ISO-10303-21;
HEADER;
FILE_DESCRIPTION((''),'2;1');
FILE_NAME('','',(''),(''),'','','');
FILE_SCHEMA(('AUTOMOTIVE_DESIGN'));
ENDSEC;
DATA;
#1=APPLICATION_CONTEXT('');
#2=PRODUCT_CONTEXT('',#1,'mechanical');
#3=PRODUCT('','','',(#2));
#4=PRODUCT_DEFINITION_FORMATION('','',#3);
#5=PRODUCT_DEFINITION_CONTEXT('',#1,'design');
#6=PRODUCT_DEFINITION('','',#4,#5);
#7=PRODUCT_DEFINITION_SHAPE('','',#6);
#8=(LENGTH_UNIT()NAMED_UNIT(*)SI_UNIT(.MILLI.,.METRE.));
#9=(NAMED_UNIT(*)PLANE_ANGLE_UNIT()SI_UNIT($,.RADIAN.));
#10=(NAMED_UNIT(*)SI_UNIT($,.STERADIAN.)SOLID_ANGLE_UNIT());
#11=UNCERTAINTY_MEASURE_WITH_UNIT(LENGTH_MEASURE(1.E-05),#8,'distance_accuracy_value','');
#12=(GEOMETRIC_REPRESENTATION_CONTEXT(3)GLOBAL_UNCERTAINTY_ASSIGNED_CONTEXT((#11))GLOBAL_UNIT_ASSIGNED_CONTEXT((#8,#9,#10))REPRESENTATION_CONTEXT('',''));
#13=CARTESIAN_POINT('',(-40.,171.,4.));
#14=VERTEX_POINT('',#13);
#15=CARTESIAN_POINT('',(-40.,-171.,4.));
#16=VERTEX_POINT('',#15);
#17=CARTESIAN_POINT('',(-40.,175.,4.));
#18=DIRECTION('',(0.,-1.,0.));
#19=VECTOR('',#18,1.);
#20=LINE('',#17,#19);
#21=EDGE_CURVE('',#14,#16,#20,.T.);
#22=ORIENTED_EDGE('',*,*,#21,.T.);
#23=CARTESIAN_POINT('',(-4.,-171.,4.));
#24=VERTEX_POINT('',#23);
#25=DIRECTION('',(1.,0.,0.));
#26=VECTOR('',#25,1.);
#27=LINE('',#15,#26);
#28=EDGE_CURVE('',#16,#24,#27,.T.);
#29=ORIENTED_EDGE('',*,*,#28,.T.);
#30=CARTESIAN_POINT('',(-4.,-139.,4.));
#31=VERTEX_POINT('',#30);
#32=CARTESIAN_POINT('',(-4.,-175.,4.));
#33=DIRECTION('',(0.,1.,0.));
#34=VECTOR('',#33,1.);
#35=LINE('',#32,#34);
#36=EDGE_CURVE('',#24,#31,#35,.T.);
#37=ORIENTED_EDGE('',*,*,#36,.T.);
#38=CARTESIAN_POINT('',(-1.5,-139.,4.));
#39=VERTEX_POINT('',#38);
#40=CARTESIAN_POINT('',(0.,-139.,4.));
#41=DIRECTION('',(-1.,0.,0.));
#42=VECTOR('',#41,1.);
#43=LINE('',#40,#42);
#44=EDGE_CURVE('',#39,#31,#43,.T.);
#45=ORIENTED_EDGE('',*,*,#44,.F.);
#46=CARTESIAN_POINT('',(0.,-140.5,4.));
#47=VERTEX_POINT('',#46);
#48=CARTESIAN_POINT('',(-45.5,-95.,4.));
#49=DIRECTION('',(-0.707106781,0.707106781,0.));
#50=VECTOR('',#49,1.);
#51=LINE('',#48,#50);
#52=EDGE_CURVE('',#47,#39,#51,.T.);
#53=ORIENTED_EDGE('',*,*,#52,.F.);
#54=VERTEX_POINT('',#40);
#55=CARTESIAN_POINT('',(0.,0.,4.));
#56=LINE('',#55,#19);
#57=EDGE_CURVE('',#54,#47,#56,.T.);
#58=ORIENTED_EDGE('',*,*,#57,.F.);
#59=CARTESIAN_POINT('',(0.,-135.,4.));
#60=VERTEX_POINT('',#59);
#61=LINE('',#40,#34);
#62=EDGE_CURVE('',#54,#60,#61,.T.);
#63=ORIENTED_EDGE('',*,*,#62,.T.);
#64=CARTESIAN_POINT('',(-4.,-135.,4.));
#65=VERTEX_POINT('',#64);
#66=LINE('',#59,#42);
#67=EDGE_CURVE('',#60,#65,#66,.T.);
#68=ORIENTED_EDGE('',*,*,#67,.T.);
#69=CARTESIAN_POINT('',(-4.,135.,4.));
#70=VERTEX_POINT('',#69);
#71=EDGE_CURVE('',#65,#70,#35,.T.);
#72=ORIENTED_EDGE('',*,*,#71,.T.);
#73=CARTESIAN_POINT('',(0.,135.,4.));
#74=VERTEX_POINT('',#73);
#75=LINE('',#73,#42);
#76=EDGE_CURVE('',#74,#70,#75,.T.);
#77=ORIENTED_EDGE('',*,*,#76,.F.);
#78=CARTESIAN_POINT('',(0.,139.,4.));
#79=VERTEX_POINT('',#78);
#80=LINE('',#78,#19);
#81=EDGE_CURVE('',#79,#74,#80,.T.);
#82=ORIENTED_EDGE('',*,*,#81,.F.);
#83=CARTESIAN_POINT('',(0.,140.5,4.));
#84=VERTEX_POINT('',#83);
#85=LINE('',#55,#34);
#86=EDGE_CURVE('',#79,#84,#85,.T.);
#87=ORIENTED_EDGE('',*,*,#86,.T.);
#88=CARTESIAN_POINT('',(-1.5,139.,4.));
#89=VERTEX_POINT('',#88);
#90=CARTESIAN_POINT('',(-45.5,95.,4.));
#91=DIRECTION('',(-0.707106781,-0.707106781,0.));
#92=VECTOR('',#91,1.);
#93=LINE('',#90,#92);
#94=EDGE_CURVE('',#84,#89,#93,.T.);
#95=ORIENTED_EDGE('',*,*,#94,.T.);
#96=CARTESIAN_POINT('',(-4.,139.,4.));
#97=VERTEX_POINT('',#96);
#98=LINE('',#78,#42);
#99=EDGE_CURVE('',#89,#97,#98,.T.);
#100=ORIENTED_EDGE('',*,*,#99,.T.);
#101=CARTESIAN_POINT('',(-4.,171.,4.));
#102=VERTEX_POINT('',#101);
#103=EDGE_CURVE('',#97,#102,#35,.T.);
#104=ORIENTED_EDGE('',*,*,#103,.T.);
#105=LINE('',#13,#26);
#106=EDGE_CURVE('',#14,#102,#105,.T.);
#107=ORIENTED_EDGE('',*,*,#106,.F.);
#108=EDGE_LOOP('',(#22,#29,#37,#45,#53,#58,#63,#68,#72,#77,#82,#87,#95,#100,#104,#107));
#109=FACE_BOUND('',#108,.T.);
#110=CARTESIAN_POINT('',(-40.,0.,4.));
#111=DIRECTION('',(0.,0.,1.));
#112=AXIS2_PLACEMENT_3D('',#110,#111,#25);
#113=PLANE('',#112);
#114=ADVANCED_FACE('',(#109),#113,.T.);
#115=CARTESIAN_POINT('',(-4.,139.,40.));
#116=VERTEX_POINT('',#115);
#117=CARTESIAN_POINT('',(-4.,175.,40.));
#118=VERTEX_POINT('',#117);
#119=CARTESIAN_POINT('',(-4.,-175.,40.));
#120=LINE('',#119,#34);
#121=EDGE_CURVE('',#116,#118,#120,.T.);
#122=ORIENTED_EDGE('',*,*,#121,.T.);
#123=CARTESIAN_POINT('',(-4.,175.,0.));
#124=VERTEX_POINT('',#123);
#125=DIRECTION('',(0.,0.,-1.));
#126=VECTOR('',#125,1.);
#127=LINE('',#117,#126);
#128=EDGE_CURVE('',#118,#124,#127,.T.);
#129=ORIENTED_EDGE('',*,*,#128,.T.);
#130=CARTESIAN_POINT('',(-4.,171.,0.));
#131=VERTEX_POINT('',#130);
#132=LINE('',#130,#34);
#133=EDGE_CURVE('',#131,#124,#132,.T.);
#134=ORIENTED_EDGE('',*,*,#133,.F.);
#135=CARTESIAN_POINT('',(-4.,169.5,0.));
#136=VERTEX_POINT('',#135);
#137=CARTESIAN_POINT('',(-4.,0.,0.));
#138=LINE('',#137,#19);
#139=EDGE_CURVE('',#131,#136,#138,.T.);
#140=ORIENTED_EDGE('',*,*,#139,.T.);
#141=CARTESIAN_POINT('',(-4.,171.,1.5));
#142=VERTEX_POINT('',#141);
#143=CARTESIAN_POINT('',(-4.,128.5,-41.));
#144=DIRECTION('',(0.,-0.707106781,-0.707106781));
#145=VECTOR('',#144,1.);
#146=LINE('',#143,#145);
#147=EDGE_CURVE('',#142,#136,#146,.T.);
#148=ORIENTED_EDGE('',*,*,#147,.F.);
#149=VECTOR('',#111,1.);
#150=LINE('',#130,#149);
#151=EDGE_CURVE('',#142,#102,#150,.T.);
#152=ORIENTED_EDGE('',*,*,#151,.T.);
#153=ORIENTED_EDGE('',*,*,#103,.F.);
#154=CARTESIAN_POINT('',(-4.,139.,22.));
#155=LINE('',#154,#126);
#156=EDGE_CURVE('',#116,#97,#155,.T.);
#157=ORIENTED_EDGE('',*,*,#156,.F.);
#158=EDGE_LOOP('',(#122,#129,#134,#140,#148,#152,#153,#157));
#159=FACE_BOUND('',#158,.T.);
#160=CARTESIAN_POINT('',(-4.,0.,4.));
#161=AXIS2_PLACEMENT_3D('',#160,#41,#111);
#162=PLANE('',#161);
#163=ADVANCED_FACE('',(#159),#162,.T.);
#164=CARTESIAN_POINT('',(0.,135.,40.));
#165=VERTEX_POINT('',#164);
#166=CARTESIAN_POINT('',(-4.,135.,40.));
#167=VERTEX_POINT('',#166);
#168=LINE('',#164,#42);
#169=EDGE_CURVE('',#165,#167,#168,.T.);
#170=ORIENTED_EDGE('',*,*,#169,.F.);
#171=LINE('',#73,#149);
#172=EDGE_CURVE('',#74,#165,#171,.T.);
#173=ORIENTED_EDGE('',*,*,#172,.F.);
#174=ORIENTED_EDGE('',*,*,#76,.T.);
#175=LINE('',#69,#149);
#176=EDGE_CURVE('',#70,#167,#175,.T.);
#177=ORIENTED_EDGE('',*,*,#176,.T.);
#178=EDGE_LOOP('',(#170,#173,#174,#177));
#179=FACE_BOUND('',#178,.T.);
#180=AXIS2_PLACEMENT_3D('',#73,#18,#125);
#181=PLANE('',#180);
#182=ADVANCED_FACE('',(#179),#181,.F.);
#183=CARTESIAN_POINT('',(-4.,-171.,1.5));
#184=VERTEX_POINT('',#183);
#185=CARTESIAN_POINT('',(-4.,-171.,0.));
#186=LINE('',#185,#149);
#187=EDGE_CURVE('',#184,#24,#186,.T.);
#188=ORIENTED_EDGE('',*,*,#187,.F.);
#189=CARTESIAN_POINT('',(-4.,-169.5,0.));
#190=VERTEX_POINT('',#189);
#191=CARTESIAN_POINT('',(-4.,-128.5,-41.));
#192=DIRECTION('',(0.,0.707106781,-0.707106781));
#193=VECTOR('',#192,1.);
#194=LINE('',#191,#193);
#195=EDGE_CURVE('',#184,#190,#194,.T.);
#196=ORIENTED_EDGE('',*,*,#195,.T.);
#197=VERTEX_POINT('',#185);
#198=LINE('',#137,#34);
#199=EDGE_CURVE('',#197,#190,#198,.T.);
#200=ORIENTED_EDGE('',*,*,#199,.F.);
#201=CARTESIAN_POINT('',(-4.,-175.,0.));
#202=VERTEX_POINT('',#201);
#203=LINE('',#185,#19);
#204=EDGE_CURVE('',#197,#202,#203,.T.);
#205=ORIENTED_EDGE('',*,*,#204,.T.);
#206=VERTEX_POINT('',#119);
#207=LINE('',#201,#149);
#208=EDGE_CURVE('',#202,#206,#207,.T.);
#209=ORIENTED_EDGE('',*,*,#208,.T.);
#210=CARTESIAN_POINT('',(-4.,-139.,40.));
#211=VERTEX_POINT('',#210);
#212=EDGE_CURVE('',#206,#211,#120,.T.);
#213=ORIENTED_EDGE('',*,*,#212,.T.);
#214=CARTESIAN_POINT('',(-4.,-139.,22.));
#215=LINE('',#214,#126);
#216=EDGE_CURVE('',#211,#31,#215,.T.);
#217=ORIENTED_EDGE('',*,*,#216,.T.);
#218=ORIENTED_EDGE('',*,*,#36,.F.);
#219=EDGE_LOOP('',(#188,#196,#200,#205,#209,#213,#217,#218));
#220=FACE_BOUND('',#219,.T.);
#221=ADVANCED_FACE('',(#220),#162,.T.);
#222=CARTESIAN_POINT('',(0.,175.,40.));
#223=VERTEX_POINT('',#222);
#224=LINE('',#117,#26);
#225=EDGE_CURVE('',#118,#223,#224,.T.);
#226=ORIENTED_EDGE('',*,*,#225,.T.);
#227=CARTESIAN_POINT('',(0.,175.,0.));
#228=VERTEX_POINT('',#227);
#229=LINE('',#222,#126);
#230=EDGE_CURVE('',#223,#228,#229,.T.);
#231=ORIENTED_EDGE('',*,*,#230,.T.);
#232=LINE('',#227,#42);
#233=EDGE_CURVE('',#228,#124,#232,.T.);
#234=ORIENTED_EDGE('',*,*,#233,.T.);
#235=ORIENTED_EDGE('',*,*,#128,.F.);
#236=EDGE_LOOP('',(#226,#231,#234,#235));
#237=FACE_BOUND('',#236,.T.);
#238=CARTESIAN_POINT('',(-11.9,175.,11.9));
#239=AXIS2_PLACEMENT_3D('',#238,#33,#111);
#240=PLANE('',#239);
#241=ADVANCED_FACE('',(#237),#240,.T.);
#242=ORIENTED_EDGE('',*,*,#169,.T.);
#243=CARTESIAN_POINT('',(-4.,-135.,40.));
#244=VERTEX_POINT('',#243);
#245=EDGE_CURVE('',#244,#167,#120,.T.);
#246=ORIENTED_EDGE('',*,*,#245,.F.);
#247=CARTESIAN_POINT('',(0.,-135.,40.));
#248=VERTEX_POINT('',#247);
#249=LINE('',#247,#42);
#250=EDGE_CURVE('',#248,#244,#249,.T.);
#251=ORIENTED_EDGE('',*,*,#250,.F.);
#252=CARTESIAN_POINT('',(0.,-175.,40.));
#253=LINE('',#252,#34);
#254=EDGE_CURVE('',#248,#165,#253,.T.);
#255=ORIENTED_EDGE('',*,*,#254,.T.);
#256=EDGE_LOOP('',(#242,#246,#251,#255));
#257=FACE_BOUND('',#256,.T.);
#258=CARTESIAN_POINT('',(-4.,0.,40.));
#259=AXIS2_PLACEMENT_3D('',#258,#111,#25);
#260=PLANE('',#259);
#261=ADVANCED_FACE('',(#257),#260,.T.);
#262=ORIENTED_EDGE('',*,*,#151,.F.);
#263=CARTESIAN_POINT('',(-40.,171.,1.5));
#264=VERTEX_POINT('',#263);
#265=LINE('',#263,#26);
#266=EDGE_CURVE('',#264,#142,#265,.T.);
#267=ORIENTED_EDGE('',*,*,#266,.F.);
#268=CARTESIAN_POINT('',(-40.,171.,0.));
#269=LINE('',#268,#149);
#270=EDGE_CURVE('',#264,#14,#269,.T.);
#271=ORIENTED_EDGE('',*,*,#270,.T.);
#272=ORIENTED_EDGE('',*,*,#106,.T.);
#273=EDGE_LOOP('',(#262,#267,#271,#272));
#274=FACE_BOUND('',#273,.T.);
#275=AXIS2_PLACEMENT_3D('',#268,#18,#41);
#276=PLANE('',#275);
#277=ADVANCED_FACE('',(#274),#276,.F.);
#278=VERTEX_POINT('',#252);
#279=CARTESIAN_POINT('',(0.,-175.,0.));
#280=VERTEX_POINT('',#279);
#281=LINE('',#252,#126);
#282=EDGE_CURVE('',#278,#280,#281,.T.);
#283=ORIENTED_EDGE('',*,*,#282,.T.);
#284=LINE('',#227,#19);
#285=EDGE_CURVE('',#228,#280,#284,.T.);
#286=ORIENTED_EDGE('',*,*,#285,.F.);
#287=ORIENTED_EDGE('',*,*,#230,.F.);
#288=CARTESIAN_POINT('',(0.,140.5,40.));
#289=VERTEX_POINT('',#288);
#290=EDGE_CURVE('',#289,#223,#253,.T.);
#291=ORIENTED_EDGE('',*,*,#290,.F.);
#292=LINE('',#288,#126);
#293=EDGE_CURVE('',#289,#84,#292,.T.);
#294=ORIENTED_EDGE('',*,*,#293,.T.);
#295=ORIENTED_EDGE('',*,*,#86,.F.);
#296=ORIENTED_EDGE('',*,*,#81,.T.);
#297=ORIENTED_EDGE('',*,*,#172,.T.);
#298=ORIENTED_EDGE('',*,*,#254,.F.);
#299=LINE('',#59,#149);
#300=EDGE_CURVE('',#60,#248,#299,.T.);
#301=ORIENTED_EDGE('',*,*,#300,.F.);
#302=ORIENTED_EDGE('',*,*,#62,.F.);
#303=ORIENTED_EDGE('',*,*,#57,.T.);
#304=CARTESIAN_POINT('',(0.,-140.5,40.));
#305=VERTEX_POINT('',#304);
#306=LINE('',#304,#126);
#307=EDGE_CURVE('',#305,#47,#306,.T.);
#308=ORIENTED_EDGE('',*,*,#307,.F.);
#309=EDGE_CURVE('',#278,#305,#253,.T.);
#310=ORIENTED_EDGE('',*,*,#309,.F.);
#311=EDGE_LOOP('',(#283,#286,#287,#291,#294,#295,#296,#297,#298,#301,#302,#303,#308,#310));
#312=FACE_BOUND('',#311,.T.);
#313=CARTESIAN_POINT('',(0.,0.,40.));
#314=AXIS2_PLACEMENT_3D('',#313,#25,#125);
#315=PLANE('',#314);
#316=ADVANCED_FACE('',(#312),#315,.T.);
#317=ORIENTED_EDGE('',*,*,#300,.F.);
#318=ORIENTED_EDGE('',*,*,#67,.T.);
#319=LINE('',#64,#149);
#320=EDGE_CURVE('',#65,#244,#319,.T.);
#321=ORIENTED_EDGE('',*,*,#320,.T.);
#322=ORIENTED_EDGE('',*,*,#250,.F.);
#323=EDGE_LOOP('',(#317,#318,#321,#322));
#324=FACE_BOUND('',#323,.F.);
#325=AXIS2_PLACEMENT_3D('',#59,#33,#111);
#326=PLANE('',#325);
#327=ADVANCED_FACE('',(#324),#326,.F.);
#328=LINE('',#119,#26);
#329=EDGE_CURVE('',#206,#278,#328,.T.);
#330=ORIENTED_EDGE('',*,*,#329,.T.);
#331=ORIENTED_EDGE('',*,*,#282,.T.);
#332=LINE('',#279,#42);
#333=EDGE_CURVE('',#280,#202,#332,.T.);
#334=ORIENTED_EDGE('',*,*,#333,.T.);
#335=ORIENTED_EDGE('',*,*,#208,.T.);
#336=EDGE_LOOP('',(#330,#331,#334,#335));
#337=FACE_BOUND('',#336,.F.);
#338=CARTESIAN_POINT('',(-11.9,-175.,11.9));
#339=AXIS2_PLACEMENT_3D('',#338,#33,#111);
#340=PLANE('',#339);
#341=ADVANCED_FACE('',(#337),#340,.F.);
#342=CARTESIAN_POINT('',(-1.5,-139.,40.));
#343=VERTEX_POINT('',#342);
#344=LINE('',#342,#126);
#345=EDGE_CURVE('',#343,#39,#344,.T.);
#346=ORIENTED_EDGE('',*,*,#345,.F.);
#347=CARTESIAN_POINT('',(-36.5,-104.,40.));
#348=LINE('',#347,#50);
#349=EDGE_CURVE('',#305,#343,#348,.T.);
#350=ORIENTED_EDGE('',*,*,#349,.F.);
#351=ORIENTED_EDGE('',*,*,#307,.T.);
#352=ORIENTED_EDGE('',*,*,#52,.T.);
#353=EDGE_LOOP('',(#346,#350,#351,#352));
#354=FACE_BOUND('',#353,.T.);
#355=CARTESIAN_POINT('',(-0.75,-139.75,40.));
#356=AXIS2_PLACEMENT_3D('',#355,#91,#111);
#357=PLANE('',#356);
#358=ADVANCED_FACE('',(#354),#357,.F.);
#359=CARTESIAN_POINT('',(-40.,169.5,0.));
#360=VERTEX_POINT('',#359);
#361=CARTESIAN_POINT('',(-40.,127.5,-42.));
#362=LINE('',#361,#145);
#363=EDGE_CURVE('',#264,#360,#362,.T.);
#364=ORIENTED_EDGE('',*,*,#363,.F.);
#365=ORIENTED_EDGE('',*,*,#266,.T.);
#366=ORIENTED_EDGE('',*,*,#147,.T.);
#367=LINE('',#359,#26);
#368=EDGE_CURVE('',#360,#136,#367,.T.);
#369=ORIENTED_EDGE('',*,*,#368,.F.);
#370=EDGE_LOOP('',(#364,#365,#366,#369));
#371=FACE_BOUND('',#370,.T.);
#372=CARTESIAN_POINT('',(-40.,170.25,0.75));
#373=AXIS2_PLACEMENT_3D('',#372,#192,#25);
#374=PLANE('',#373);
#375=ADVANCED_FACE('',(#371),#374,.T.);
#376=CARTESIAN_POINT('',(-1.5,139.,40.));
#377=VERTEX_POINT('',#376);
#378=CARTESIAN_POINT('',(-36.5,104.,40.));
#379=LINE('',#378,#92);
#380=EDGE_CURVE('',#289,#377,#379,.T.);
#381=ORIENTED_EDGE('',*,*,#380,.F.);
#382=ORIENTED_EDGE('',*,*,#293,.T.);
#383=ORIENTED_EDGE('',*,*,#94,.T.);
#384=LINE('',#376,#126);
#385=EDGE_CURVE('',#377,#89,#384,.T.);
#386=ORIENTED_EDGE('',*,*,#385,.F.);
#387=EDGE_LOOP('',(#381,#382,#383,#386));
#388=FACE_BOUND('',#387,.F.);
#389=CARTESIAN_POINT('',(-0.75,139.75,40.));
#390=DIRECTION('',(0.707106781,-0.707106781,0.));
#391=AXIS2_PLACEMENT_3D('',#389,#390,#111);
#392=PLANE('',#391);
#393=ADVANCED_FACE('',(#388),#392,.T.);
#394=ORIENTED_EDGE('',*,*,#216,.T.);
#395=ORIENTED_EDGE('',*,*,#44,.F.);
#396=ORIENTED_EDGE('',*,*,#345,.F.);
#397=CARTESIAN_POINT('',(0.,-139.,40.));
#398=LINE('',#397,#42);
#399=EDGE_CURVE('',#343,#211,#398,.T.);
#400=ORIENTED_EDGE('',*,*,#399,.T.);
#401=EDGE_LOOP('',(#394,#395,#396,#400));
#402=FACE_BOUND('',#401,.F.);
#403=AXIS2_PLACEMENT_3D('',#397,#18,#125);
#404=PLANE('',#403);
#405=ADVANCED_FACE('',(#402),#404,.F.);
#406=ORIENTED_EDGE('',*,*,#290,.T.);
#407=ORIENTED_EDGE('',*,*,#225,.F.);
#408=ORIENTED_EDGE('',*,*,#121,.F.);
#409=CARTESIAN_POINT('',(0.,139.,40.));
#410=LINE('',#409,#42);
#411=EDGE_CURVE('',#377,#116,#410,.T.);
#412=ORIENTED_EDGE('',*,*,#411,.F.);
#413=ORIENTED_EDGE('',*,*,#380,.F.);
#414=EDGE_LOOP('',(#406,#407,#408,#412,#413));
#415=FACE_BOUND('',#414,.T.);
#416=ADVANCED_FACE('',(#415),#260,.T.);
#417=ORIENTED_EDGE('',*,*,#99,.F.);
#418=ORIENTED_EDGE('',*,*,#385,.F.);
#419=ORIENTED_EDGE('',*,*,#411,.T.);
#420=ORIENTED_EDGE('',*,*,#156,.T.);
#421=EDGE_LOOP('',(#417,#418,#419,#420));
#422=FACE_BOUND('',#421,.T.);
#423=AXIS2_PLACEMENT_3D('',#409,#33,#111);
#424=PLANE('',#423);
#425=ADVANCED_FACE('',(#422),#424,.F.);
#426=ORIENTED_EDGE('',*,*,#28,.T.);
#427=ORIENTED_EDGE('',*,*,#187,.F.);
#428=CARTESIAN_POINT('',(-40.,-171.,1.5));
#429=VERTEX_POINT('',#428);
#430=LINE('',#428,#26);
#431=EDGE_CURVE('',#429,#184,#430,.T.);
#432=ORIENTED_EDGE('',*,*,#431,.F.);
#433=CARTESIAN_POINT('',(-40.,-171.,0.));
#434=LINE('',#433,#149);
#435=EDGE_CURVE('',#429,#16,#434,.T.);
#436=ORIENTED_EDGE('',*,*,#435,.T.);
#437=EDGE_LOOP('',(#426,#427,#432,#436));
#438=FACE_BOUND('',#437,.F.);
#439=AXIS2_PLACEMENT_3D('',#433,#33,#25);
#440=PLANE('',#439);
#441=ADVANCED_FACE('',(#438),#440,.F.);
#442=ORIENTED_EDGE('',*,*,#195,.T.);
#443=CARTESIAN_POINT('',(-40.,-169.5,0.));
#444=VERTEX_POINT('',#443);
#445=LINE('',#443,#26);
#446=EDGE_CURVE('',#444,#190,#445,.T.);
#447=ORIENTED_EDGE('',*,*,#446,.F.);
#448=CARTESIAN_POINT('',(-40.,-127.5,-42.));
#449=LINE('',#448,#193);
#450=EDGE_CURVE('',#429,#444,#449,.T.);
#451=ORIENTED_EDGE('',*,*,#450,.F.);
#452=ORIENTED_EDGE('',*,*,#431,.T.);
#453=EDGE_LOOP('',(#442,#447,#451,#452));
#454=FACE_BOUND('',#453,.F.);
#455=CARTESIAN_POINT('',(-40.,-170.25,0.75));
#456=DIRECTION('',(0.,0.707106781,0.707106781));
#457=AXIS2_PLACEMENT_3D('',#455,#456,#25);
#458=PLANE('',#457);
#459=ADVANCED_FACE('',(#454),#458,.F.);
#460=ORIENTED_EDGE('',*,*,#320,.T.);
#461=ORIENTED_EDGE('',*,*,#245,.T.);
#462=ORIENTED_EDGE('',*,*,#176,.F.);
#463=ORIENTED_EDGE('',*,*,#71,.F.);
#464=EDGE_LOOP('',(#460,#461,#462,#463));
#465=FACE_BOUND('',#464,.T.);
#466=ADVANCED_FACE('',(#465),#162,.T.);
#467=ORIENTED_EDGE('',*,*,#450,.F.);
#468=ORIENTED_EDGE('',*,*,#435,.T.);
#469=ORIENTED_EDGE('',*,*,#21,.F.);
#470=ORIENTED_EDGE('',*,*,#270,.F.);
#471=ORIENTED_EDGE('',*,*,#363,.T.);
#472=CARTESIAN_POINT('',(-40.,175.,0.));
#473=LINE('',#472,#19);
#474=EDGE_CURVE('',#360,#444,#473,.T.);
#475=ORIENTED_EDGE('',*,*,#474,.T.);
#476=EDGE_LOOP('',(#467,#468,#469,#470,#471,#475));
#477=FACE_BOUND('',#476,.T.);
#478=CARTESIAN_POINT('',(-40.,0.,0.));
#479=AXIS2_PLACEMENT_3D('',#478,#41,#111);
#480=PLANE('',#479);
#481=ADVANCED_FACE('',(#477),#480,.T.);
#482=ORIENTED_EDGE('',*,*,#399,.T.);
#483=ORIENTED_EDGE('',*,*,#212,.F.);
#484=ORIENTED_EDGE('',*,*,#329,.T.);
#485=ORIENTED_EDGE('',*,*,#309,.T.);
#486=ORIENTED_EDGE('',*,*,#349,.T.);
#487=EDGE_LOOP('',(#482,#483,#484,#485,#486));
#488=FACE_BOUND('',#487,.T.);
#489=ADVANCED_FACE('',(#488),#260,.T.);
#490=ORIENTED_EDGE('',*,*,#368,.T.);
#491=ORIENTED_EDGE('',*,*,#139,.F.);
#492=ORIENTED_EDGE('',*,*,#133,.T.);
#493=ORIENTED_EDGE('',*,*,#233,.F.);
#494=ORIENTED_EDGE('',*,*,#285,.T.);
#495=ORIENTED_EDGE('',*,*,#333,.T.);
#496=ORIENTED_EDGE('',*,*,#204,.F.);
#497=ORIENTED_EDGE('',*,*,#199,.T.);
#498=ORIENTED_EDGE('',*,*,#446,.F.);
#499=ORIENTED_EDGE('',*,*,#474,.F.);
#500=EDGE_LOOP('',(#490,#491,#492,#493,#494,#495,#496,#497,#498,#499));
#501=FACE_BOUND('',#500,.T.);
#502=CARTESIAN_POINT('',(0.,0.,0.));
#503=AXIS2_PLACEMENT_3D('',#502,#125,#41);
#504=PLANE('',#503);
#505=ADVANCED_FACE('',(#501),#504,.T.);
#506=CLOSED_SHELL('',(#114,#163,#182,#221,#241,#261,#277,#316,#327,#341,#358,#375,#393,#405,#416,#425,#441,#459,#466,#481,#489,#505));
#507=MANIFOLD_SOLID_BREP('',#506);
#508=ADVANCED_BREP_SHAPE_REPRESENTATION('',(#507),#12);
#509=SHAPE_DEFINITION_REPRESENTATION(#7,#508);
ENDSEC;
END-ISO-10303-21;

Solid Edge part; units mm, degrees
sketch "Sketch1" plane through (-9.04, 0, 33.0648) normal (0, -1, 0) x (1, 0, 0)
  line L0 (-30.96, -29.0648) -> (5.04, -29.0648)
  line L1 (5.04, -29.0648) -> (5.04, 6.9352)
  line L2 (5.04, 6.9352) -> (9.04, 6.9352)
  line L3 (9.04, 6.9352) -> (9.04, -33.0648)
  line L4 (9.04, -33.0648) -> (-30.96, -33.0648)
  line L5 (-30.96, -33.0648) -> (-30.96, -29.0648)
extrude "Protrusion1" add sketch "Sketch1" along normal mid plane 350
sketch "Sketch2" plane through (-20, 0, 0) normal (0, 0, -1) x (0, 1, 0)
  line L0 (-175, -20) -> (-171, -20)
  line L1 (-171, -20) -> (-171, 16)
  line L2 (-171, 16) -> (-175, 16)
  line L3 (-175, 16) -> (-175, -20)
  dimension "D1" = 4
extrude "Cutout1" cut sketch "Sketch2" against normal up to next
sketch "Sketch3" plane through (0, 0, 20) normal (1, 0, 0) x (0, 1, 0)
  line L0 (-139, -16) -> (-135, -16)
  line L1 (-135, -16) -> (-135, 20)
  line L2 (-135, 20) -> (-139, 20)
  line L3 (-139, 20) -> (-139, -16)
  dimension "D1" = 4
  dimension "D2" = 40
extrude "Cutout2" cut sketch "Sketch3" against normal up to next
mirror "Mirror1" about plane through (0, 0, 0) normal (0, -1, 0) of "Cutout1", "Cutout2"
chamfer "Fase_3" distance 1.5 angle 45 4 edges at (0, -139, 22) (-22, -171, 0) (-22, 171, 0) (0, 139, 22)
